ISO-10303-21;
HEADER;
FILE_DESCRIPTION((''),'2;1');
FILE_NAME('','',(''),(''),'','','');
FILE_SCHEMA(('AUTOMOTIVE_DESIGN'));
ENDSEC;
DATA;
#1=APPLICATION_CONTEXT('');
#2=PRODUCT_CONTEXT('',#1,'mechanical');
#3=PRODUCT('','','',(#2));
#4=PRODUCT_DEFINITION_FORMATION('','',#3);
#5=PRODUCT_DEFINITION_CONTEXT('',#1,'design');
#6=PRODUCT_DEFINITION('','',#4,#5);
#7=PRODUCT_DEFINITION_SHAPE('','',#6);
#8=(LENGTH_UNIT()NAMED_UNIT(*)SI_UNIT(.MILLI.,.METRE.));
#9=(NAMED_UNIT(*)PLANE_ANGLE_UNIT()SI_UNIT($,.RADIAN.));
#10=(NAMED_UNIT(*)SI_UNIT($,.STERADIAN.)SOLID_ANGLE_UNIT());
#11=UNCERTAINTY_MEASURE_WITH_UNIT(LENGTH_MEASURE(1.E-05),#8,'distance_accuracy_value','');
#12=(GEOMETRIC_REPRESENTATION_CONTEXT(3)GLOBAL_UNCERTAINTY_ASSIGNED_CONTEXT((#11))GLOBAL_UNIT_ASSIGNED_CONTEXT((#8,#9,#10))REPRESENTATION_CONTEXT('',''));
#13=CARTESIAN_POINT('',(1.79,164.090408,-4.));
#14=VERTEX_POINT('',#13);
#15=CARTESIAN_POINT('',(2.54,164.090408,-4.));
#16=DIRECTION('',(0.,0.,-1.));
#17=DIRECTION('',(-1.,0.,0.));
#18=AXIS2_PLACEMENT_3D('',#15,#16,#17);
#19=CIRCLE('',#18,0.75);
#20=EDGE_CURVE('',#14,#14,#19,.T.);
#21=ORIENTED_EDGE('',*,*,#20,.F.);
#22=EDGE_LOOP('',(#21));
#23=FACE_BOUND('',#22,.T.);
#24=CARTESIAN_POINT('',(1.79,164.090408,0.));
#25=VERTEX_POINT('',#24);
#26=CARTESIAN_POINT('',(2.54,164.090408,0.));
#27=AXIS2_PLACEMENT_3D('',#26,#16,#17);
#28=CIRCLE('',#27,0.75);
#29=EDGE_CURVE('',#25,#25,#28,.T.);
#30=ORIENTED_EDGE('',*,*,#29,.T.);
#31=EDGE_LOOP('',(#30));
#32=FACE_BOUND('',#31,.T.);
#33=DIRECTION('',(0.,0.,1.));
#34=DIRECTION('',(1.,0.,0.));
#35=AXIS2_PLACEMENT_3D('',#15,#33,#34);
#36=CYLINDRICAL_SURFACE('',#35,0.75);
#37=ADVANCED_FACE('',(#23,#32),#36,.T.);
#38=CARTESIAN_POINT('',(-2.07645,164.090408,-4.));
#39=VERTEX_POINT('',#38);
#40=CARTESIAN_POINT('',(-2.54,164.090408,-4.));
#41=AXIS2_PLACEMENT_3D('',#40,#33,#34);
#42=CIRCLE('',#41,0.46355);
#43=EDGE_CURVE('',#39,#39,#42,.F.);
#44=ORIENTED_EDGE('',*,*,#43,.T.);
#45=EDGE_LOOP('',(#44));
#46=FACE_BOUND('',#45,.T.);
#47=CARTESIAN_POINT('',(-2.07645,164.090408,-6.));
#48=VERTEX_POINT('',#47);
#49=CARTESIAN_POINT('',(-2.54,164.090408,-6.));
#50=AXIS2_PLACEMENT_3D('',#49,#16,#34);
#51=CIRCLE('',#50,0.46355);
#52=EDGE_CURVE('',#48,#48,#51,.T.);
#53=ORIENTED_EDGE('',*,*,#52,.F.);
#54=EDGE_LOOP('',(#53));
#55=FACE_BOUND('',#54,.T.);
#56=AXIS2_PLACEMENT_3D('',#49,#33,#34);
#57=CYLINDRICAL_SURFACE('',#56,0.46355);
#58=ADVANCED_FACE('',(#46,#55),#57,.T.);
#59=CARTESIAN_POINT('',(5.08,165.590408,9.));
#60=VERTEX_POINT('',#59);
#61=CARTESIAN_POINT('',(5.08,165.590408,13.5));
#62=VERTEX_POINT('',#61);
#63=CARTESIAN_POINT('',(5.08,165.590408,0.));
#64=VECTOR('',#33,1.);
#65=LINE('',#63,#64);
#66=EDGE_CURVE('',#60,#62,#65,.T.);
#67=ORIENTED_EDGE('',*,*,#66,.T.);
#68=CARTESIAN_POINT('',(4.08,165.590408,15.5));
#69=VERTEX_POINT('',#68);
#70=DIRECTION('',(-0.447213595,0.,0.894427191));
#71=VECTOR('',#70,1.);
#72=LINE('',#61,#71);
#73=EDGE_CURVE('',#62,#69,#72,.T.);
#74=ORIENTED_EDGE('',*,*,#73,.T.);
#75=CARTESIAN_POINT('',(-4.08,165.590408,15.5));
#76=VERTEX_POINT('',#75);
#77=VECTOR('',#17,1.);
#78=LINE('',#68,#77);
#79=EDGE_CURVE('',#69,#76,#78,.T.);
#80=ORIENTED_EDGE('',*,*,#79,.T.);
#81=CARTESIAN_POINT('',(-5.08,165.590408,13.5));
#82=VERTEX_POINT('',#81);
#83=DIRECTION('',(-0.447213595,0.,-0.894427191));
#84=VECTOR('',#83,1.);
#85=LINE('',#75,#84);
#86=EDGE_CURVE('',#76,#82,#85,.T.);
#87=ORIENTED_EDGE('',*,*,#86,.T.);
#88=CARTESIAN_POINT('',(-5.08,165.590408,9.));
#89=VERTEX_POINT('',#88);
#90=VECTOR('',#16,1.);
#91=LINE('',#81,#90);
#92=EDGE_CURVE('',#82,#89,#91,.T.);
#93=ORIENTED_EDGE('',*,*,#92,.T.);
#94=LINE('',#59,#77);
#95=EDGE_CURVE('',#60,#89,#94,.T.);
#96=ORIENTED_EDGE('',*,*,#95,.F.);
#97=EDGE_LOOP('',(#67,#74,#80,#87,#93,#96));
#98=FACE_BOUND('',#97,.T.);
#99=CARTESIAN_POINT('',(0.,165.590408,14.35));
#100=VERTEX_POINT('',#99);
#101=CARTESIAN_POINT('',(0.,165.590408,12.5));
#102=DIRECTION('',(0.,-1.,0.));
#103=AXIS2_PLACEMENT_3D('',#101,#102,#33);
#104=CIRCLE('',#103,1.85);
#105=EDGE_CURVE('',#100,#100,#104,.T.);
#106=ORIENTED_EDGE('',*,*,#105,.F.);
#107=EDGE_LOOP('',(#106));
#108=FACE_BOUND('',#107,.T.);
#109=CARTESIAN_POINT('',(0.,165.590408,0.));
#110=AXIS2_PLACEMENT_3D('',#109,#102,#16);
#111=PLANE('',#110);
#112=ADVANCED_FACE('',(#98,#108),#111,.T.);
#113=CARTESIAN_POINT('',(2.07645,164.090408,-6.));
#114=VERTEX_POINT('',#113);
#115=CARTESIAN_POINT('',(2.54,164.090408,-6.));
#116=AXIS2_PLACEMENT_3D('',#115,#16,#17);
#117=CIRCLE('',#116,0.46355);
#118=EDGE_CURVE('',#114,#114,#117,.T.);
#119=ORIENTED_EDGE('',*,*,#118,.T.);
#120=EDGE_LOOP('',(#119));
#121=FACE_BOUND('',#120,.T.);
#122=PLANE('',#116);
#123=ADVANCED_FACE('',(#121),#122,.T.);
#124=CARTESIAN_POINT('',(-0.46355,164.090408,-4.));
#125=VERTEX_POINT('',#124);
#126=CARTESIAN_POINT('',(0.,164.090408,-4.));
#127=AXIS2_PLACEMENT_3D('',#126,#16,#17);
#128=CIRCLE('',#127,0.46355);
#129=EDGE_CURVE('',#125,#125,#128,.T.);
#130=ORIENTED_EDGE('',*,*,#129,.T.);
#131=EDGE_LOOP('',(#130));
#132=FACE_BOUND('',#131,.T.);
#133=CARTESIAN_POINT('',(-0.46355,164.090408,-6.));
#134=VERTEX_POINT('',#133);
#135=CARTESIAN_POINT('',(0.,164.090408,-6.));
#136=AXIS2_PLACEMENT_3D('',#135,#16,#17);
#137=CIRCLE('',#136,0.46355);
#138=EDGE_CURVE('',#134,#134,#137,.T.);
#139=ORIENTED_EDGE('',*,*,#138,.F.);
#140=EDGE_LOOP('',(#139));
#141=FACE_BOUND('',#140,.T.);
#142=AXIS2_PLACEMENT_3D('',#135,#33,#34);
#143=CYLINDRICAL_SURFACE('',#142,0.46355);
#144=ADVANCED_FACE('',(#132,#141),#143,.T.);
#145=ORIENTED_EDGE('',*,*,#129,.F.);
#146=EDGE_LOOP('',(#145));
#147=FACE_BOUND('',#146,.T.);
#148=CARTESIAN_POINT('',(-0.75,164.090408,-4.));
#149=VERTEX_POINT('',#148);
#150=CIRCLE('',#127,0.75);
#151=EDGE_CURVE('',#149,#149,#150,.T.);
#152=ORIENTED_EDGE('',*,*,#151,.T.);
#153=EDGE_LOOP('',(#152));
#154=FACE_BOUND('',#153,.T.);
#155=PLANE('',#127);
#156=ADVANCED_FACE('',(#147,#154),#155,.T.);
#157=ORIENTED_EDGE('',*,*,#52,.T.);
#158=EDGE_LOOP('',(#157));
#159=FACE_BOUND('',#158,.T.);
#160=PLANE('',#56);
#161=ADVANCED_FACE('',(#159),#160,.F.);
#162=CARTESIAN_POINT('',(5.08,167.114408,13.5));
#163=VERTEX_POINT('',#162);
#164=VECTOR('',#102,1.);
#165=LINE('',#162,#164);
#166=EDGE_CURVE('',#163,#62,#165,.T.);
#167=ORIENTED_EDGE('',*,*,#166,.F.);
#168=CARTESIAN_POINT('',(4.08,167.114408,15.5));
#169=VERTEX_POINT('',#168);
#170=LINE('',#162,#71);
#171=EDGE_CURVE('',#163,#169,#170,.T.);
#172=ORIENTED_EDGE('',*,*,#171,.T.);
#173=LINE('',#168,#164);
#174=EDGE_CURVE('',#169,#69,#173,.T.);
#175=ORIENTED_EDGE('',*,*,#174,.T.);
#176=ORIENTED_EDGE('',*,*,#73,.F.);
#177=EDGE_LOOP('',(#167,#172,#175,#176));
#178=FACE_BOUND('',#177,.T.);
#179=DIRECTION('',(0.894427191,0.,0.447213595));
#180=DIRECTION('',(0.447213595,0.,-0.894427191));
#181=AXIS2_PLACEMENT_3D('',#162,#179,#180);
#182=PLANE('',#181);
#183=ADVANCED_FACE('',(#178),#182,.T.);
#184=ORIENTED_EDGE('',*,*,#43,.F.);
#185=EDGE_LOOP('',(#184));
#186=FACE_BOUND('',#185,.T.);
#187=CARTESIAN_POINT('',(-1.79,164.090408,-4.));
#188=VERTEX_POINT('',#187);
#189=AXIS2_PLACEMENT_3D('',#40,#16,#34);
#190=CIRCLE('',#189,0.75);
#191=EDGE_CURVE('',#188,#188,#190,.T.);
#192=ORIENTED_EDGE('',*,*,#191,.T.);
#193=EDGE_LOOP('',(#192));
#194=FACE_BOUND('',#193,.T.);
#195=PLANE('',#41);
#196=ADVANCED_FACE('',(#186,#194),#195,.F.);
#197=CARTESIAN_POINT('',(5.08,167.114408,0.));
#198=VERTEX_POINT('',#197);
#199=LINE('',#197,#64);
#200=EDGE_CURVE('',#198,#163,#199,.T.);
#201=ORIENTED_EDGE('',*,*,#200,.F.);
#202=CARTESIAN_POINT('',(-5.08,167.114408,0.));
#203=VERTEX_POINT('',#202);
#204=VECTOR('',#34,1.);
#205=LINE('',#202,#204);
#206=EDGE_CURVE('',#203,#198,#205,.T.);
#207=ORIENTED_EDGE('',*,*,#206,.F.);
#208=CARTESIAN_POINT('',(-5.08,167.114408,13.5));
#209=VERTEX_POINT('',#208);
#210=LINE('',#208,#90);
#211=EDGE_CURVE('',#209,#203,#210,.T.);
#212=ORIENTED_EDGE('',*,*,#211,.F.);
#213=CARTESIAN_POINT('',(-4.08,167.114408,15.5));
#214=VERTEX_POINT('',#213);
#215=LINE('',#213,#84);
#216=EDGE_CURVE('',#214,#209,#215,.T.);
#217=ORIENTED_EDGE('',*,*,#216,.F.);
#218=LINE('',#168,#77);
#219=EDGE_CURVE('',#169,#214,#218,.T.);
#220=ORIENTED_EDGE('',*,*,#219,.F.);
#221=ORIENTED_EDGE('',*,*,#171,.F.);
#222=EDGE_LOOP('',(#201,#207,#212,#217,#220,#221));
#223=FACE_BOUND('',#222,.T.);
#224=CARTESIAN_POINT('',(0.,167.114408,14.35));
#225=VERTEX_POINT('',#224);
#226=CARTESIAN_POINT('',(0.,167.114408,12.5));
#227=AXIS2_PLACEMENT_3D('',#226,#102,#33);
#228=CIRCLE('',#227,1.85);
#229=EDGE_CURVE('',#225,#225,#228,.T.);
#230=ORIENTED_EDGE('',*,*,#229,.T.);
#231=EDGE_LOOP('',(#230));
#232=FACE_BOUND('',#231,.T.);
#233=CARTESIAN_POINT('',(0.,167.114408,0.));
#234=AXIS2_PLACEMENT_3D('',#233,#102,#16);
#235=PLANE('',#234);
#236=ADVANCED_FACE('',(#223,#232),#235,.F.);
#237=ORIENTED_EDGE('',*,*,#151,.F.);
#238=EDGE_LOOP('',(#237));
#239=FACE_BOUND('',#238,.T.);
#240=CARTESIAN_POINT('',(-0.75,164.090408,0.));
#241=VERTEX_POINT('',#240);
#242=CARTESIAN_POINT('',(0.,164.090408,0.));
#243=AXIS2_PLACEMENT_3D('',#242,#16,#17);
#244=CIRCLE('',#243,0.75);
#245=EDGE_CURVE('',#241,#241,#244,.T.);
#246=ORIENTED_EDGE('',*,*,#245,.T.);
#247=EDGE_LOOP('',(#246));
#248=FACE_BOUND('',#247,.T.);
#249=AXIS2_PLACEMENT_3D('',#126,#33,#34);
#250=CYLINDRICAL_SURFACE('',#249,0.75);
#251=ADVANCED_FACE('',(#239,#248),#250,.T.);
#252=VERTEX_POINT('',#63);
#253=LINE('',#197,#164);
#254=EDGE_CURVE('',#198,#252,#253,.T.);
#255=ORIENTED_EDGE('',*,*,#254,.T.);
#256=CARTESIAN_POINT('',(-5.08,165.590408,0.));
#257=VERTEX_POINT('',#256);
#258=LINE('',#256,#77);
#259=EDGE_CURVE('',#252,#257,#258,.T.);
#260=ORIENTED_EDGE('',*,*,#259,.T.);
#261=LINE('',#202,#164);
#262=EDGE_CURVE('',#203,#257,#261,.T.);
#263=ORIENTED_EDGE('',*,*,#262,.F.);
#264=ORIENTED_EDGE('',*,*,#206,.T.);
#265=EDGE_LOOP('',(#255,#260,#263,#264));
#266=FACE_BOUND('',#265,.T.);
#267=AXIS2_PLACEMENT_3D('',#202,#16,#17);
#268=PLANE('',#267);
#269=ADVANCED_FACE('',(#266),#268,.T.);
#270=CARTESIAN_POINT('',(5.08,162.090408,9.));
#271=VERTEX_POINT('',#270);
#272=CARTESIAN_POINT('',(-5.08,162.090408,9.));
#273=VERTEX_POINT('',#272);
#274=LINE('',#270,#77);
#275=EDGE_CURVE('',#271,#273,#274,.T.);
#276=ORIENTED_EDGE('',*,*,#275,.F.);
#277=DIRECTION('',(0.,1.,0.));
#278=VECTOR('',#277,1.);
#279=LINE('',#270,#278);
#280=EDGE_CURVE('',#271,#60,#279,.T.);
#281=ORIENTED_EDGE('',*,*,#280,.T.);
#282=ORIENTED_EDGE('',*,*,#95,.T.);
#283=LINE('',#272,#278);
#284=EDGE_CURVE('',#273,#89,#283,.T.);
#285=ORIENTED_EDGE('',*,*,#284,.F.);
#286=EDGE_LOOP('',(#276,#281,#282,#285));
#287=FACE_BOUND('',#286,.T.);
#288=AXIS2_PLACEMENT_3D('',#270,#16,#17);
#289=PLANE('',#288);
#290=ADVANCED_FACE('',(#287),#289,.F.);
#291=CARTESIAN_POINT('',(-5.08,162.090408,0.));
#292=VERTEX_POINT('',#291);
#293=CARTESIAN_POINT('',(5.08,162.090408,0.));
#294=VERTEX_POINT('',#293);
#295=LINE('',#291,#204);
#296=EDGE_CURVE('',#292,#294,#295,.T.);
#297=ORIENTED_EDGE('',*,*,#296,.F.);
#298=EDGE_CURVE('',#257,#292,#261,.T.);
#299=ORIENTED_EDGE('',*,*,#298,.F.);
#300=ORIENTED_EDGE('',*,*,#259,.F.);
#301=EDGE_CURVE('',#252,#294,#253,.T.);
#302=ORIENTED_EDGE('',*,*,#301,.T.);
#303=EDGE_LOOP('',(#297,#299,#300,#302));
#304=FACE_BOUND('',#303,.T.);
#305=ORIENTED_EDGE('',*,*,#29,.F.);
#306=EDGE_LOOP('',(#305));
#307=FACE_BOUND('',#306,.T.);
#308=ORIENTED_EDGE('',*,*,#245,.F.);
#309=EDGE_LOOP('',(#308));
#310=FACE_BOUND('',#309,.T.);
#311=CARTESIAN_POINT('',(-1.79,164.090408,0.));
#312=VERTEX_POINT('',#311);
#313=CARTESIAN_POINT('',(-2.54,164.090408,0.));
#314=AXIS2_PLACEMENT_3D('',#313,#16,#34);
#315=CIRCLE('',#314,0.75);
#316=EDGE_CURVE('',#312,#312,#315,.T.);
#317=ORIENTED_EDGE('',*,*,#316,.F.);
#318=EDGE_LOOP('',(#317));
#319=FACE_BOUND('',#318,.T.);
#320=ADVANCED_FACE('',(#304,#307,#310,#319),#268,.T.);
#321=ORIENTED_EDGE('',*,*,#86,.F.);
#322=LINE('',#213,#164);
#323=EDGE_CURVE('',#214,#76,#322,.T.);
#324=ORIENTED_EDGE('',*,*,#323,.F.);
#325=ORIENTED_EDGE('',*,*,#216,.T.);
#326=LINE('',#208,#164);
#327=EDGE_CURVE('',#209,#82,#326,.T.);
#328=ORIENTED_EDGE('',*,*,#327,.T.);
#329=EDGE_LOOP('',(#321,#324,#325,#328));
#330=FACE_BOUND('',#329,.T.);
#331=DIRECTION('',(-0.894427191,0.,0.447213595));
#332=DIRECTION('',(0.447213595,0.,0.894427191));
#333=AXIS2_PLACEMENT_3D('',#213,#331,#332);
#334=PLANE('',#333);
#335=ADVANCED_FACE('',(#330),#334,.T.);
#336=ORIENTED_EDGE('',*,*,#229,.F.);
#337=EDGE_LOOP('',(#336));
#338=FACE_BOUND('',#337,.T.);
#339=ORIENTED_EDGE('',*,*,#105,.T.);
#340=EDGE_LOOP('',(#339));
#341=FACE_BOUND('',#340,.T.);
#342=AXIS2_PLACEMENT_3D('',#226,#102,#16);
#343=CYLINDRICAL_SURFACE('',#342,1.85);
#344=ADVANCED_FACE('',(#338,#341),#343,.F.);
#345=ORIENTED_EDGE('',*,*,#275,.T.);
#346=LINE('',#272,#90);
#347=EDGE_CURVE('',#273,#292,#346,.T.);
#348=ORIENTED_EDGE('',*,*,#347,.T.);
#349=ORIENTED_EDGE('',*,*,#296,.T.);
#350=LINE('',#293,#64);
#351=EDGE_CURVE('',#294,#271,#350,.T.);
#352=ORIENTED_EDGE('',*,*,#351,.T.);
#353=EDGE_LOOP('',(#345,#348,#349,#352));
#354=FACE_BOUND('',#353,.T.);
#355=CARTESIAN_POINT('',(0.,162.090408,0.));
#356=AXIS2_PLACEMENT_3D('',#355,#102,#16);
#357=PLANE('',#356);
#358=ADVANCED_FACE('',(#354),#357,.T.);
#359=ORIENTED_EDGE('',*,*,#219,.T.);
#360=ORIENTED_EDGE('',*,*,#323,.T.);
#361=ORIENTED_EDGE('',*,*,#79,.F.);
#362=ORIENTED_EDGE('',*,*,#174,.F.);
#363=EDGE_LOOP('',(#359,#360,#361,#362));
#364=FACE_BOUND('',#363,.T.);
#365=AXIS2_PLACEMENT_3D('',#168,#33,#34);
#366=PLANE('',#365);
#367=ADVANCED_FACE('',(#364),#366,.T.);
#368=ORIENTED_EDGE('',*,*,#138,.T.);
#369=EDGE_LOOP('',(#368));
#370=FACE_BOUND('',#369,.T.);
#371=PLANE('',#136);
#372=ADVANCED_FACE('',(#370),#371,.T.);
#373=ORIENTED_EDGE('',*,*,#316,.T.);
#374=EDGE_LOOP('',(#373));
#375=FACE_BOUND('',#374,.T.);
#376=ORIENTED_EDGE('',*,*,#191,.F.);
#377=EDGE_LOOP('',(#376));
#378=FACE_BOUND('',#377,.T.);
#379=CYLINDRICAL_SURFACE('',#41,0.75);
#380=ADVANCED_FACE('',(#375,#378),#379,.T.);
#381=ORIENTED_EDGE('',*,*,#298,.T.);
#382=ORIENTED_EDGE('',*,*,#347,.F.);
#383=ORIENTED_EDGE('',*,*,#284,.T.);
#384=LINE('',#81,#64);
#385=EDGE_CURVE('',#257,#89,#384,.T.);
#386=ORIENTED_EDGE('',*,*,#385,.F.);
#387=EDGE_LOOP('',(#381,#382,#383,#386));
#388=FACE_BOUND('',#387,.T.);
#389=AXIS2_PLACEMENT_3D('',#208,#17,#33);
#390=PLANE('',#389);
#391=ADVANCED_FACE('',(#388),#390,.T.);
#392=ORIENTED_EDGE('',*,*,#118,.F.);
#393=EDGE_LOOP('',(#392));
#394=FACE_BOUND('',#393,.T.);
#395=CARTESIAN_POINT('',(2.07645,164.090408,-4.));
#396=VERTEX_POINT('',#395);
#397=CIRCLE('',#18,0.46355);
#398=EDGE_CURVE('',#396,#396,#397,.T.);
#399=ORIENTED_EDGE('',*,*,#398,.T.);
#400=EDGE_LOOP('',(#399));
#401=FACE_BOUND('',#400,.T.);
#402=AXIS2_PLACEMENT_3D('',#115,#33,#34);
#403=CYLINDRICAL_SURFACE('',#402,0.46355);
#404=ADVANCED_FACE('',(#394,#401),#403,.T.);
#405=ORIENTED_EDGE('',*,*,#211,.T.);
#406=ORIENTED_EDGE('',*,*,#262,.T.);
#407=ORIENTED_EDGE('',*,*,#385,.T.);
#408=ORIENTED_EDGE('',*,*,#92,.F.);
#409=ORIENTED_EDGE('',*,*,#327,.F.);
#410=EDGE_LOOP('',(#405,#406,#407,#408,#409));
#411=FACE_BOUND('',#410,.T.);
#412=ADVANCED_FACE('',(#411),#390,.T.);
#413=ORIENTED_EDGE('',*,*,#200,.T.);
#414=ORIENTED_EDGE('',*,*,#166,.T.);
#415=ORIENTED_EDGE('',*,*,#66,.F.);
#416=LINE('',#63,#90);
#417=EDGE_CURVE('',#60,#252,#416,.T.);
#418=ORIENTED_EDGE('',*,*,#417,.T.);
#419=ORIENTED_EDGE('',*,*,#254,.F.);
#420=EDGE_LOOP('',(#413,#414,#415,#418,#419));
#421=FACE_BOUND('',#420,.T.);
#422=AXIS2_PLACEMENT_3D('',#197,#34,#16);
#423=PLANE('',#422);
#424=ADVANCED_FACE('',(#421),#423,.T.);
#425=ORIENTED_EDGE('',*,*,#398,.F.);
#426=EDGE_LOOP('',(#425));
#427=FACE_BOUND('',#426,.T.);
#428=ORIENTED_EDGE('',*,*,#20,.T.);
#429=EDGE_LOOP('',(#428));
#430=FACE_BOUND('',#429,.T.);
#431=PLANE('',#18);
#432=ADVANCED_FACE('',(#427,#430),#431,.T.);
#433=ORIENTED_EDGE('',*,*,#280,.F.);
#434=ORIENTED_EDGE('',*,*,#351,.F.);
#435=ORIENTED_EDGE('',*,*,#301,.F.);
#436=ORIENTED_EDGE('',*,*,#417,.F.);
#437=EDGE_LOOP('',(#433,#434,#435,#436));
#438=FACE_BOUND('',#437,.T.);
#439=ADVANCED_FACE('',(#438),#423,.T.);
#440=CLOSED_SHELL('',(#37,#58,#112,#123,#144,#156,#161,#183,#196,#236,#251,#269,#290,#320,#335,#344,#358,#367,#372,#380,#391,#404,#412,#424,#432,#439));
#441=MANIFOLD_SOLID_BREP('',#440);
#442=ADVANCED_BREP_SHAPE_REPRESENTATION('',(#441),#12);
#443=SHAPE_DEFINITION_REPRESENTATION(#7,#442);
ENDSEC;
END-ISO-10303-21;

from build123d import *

# Parameters (mm, degrees)
SKETCH1_R           = 1.85
BOSS_EXTRUDE1_DEPTH = 1.524
SKETCH2_W           = 10.16
SKETCH2_H           = 9
BOSS_EXTRUDE2_DEPTH = 3.5
SKETCH3_R           = 0.75
BOSS_EXTRUDE3_DEPTH = 4
SKETCH6_R           = 0.46355
BOSS_EXTRUDE6_DEPTH = 2


with BuildPart() as part:
    # Sketch1 → Boss-Extrude1 (new body)
    with BuildSketch(Plane.XZ.offset(-165.590407598)):
        Polygon((-4.08, 15.5), (-5.08, 13.5), (-5.08, 0), (5.08, 0), (5.08, 13.5), (4.08, 15.5), align=None)
        with Locations(Location((0, 12.5, 0), (0, 0, 90))):
            Circle(SKETCH1_R, mode=Mode.SUBTRACT)
    extrude(amount=-BOSS_EXTRUDE1_DEPTH)

    # Sketch2 → Boss-Extrude2 (add)
    with BuildSketch(Plane.XZ.offset(-165.590407598)):
        with Locations((0, 4.5)):
            Rectangle(SKETCH2_W, SKETCH2_H)
    extrude(amount=BOSS_EXTRUDE2_DEPTH)

    # Sketch3 → Boss-Extrude3 (add)
    with BuildSketch(Plane(origin=(0, 0, 0), x_dir=(-1, 0, 0), z_dir=(0, 0, -1))):
        with Locations(Location((2.54, 164.090407598, 0), (0, 0, 180))):
            Circle(SKETCH3_R)
        with Locations((0, 164.090407598)):
            Circle(SKETCH3_R)
        with Locations((-2.54, 164.090407598)):
            Circle(SKETCH3_R)
    extrude(amount=BOSS_EXTRUDE3_DEPTH)

    # Sketch6 → Boss-Extrude6 (add)
    with BuildSketch(Plane(origin=(0, 0, -4), x_dir=(-1, 0, 0), z_dir=(0, 0, -1))):
        with Locations(Location((2.54, 164.090407598, 0), (0, 0, 180))):
            Circle(SKETCH6_R)
        with Locations((0, 164.090407598)):
            Circle(SKETCH6_R)
        with Locations((-2.54, 164.090407598)):
            Circle(SKETCH6_R)
    extrude(amount=BOSS_EXTRUDE6_DEPTH)


solid = part.part
